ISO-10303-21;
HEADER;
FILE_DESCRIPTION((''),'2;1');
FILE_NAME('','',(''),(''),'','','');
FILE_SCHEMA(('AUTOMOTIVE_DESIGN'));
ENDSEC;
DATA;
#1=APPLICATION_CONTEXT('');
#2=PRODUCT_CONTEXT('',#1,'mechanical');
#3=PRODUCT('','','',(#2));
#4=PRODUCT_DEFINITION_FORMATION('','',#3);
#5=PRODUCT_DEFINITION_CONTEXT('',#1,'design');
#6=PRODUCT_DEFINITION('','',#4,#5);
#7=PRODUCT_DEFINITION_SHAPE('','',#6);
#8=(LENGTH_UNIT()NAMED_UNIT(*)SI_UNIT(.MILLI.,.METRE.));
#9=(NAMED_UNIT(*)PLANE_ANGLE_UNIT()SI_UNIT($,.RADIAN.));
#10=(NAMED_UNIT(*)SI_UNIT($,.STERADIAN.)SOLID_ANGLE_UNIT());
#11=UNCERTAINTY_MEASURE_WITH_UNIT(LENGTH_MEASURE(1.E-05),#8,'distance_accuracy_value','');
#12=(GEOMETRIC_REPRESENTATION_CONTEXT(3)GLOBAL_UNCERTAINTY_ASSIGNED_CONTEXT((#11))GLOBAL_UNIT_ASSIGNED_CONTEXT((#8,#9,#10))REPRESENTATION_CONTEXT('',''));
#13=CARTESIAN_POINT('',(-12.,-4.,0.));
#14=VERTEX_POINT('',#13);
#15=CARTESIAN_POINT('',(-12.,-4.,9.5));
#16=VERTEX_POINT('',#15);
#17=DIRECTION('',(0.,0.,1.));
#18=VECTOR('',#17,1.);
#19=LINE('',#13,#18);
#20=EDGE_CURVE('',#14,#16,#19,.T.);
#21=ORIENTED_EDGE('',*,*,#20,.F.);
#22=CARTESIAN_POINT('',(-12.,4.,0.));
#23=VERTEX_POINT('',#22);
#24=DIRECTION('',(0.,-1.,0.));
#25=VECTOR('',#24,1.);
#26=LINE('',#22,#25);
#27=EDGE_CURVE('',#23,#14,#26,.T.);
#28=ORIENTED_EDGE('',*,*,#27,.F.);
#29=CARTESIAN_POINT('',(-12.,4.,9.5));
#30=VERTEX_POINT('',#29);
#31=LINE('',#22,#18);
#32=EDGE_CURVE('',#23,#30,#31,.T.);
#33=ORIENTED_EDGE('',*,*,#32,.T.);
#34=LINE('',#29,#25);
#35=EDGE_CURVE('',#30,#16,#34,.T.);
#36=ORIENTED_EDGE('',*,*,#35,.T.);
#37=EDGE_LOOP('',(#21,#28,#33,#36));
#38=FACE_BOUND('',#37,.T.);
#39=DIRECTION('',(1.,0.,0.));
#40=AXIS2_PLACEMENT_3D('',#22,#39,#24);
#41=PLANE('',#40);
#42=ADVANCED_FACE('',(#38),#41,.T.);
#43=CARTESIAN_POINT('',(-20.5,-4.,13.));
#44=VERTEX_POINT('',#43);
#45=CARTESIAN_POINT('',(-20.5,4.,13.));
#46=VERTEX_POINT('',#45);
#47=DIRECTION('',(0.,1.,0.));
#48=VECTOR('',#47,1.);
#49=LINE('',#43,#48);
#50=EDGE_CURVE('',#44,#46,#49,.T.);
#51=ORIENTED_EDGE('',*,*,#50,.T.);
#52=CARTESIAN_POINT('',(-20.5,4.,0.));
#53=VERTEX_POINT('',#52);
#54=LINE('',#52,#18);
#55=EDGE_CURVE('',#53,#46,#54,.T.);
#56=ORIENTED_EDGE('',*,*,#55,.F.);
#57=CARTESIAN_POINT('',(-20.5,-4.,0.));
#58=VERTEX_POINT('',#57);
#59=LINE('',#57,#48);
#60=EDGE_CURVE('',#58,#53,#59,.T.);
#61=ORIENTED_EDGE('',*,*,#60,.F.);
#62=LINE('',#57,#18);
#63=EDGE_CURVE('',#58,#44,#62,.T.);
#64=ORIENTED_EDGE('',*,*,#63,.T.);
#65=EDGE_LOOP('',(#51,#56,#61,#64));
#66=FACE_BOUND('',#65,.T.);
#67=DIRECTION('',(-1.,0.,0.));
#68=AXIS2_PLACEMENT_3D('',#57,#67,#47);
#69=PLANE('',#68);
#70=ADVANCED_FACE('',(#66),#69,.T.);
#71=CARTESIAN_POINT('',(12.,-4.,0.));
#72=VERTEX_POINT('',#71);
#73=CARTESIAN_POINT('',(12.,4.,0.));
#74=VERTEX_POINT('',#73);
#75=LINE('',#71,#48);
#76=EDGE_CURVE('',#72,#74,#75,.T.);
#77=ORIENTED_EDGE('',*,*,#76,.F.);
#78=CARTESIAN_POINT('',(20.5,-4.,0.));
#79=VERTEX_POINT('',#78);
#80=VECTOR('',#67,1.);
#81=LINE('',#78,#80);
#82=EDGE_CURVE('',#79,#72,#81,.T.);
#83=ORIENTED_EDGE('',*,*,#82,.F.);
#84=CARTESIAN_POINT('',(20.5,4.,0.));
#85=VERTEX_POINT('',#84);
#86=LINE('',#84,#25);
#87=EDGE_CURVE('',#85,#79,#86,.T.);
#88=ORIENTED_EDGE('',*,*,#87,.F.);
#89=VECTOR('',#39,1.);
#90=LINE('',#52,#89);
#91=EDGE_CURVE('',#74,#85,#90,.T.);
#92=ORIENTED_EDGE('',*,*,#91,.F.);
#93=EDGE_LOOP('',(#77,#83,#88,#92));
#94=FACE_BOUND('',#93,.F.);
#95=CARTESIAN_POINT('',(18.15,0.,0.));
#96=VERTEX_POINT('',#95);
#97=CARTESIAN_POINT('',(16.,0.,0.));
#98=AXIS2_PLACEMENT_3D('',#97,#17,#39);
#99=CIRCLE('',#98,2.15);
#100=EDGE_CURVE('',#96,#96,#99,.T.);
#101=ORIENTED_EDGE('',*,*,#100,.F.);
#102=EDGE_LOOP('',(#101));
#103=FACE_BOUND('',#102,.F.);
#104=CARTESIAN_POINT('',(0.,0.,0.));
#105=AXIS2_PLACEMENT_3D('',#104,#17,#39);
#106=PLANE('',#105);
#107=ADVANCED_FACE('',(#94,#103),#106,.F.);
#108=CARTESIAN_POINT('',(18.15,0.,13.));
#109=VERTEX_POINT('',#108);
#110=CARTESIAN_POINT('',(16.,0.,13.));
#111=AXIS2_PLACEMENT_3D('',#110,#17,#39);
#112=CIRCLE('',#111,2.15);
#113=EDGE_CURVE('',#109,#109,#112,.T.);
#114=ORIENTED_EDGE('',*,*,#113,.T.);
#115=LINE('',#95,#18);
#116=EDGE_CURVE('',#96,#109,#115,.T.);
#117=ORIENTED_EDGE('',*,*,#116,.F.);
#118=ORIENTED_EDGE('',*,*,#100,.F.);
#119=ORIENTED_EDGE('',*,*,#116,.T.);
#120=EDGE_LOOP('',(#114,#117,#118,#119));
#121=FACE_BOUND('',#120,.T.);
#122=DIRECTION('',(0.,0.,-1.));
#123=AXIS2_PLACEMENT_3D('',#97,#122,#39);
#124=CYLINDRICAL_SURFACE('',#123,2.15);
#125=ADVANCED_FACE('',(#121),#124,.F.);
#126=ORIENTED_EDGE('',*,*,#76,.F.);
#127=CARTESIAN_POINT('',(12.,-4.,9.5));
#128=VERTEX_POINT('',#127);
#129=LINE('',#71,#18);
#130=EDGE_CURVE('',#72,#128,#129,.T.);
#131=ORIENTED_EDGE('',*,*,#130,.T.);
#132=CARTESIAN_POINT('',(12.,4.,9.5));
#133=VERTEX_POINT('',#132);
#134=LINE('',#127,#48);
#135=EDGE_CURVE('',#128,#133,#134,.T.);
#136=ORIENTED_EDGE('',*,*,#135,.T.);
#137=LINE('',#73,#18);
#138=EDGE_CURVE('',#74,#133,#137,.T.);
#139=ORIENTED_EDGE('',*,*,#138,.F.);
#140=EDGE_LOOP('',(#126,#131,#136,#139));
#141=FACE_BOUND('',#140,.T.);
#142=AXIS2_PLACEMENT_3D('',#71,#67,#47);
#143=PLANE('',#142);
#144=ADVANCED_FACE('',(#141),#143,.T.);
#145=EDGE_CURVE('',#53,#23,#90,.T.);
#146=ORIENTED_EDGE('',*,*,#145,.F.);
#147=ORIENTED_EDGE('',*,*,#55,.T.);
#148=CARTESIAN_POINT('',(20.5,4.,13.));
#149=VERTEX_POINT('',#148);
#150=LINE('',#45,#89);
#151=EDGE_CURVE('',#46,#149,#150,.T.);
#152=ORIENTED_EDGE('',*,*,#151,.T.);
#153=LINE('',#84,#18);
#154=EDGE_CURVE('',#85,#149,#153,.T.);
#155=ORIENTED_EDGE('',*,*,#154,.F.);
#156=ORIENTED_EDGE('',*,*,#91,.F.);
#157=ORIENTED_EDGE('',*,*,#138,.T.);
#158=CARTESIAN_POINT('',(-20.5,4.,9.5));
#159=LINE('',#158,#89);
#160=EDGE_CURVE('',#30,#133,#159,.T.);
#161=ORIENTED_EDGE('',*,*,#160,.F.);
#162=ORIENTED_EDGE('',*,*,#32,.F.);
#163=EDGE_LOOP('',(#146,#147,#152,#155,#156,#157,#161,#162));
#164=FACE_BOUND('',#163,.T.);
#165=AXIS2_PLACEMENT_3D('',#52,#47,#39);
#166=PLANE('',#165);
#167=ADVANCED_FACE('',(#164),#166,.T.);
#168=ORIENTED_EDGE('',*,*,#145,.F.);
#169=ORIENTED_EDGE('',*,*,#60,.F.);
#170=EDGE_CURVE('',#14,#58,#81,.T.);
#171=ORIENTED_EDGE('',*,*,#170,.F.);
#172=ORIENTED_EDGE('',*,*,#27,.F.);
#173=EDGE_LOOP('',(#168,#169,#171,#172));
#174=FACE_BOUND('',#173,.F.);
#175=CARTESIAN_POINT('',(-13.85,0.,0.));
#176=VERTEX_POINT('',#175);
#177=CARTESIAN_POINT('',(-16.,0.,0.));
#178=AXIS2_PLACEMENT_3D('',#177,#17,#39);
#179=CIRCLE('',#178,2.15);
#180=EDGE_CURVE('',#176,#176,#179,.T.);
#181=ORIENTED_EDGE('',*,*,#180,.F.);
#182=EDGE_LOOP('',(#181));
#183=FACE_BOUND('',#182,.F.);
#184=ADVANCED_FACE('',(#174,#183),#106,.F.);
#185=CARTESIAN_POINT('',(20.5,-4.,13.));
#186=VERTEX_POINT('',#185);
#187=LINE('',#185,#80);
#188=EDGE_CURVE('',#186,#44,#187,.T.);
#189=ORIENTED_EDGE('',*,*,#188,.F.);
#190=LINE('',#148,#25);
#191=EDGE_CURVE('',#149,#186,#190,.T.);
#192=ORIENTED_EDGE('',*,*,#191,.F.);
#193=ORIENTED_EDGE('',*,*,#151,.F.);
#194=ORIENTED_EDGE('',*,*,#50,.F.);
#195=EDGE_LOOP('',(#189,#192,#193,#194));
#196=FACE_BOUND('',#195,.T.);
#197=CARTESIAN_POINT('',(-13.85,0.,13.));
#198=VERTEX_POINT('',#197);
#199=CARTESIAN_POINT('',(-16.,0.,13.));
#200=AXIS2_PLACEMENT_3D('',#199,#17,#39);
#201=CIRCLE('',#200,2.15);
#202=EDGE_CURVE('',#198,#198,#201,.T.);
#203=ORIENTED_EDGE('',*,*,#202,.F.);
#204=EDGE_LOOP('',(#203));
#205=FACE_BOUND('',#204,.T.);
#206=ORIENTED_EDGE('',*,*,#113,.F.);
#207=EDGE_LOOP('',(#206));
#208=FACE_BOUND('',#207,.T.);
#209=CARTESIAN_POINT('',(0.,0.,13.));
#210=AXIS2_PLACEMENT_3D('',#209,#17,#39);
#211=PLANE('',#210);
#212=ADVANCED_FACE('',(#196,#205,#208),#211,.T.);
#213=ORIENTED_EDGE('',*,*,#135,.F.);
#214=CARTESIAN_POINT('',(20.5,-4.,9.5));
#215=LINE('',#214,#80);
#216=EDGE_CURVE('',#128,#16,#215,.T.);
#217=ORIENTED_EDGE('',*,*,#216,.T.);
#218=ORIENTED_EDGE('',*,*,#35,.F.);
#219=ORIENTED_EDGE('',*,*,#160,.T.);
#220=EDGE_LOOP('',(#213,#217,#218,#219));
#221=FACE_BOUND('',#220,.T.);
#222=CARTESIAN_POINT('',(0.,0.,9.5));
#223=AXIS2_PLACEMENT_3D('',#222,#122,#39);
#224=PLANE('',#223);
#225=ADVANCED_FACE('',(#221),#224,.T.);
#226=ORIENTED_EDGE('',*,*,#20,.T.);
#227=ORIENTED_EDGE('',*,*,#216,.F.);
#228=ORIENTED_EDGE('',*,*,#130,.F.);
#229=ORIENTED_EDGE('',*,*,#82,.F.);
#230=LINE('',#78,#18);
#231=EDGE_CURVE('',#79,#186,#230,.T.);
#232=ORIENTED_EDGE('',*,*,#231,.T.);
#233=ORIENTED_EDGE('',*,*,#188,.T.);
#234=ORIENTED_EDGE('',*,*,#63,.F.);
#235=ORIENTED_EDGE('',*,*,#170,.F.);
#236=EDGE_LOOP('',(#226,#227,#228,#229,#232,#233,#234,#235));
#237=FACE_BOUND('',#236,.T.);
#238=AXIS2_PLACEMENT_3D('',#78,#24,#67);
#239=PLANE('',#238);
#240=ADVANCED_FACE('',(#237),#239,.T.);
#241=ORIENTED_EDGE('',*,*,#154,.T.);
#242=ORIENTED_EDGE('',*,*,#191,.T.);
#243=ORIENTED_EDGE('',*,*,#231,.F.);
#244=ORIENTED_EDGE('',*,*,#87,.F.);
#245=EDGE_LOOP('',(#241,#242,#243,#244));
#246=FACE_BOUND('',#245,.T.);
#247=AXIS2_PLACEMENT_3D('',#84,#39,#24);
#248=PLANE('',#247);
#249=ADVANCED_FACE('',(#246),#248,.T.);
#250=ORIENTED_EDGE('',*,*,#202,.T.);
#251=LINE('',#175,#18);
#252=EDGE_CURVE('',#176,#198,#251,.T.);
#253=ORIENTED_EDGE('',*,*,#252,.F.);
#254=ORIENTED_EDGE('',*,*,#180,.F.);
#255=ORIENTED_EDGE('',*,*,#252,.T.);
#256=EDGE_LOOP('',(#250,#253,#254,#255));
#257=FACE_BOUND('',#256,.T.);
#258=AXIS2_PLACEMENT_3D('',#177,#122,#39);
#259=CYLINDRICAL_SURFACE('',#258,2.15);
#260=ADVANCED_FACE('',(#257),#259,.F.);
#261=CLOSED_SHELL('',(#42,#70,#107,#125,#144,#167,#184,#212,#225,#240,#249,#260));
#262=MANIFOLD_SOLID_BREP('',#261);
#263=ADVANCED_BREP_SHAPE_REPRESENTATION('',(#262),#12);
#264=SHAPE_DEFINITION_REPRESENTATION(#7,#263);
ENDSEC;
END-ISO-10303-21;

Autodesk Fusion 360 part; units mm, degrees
sketch "Sketch1" plane through (0, 0, 0) normal (0, 0, 1) x (1, 0, 0)
  line L0 (20.5, -4) -> (-20.5, -4)
  line L1 (-20.5, -4) -> (-20.5, 4)
  line L2 (-20.5, 4) -> (20.5, 4)
  line L3 (20.5, 4) -> (20.5, -4)
  line L4 (20.5, -4) -> (-20.5, 4) construction
  line L5 (-20.5, -4) -> (20.5, 4) construction
  line L6 (-16, 0) -> (16, 0) construction
  circle A0 centre (-16, 0) radius 2.15
  circle A1 centre (16, 0) radius 2.15
  dimension "d1" = 8
  dimension "d2" = 41
  dimension "d3" = 32
  dimension "d4" = 4.3
  dimension "d5" = 4.3
extrude "Extrude1" add sketch "Sketch1" along normal blind 13
sketch "Sketch3" plane through (0, 0, 0) normal (0, 0, -1) x (1, 0, 0)
  circle A0 centre (16, 0) radius 2.15
  circle A1 centre (-16, 0) radius 2.15
  line L0 (-20.5, -4) -> (20.5, -4)
  line L1 (20.5, -4) -> (20.5, 4)
  line L2 (20.5, 4) -> (-20.5, 4)
  line L3 (-20.5, 4) -> (-20.5, -4)
  line L4 (12, -4) -> (-12, -4)
  line L5 (-12, -4) -> (-12, 4)
  line L6 (-12, 4) -> (12, 4)
  line L7 (12, 4) -> (12, -4)
  line L8 (12, -4) -> (-12, 4) construction
  line L9 (-12, -4) -> (12, 4) construction
  dimension "d9" = 24
extrude "Extrude2" cut sketch "Sketch3" against normal blind 9.5 contours L0 L2 L4 L5 L6 L7
